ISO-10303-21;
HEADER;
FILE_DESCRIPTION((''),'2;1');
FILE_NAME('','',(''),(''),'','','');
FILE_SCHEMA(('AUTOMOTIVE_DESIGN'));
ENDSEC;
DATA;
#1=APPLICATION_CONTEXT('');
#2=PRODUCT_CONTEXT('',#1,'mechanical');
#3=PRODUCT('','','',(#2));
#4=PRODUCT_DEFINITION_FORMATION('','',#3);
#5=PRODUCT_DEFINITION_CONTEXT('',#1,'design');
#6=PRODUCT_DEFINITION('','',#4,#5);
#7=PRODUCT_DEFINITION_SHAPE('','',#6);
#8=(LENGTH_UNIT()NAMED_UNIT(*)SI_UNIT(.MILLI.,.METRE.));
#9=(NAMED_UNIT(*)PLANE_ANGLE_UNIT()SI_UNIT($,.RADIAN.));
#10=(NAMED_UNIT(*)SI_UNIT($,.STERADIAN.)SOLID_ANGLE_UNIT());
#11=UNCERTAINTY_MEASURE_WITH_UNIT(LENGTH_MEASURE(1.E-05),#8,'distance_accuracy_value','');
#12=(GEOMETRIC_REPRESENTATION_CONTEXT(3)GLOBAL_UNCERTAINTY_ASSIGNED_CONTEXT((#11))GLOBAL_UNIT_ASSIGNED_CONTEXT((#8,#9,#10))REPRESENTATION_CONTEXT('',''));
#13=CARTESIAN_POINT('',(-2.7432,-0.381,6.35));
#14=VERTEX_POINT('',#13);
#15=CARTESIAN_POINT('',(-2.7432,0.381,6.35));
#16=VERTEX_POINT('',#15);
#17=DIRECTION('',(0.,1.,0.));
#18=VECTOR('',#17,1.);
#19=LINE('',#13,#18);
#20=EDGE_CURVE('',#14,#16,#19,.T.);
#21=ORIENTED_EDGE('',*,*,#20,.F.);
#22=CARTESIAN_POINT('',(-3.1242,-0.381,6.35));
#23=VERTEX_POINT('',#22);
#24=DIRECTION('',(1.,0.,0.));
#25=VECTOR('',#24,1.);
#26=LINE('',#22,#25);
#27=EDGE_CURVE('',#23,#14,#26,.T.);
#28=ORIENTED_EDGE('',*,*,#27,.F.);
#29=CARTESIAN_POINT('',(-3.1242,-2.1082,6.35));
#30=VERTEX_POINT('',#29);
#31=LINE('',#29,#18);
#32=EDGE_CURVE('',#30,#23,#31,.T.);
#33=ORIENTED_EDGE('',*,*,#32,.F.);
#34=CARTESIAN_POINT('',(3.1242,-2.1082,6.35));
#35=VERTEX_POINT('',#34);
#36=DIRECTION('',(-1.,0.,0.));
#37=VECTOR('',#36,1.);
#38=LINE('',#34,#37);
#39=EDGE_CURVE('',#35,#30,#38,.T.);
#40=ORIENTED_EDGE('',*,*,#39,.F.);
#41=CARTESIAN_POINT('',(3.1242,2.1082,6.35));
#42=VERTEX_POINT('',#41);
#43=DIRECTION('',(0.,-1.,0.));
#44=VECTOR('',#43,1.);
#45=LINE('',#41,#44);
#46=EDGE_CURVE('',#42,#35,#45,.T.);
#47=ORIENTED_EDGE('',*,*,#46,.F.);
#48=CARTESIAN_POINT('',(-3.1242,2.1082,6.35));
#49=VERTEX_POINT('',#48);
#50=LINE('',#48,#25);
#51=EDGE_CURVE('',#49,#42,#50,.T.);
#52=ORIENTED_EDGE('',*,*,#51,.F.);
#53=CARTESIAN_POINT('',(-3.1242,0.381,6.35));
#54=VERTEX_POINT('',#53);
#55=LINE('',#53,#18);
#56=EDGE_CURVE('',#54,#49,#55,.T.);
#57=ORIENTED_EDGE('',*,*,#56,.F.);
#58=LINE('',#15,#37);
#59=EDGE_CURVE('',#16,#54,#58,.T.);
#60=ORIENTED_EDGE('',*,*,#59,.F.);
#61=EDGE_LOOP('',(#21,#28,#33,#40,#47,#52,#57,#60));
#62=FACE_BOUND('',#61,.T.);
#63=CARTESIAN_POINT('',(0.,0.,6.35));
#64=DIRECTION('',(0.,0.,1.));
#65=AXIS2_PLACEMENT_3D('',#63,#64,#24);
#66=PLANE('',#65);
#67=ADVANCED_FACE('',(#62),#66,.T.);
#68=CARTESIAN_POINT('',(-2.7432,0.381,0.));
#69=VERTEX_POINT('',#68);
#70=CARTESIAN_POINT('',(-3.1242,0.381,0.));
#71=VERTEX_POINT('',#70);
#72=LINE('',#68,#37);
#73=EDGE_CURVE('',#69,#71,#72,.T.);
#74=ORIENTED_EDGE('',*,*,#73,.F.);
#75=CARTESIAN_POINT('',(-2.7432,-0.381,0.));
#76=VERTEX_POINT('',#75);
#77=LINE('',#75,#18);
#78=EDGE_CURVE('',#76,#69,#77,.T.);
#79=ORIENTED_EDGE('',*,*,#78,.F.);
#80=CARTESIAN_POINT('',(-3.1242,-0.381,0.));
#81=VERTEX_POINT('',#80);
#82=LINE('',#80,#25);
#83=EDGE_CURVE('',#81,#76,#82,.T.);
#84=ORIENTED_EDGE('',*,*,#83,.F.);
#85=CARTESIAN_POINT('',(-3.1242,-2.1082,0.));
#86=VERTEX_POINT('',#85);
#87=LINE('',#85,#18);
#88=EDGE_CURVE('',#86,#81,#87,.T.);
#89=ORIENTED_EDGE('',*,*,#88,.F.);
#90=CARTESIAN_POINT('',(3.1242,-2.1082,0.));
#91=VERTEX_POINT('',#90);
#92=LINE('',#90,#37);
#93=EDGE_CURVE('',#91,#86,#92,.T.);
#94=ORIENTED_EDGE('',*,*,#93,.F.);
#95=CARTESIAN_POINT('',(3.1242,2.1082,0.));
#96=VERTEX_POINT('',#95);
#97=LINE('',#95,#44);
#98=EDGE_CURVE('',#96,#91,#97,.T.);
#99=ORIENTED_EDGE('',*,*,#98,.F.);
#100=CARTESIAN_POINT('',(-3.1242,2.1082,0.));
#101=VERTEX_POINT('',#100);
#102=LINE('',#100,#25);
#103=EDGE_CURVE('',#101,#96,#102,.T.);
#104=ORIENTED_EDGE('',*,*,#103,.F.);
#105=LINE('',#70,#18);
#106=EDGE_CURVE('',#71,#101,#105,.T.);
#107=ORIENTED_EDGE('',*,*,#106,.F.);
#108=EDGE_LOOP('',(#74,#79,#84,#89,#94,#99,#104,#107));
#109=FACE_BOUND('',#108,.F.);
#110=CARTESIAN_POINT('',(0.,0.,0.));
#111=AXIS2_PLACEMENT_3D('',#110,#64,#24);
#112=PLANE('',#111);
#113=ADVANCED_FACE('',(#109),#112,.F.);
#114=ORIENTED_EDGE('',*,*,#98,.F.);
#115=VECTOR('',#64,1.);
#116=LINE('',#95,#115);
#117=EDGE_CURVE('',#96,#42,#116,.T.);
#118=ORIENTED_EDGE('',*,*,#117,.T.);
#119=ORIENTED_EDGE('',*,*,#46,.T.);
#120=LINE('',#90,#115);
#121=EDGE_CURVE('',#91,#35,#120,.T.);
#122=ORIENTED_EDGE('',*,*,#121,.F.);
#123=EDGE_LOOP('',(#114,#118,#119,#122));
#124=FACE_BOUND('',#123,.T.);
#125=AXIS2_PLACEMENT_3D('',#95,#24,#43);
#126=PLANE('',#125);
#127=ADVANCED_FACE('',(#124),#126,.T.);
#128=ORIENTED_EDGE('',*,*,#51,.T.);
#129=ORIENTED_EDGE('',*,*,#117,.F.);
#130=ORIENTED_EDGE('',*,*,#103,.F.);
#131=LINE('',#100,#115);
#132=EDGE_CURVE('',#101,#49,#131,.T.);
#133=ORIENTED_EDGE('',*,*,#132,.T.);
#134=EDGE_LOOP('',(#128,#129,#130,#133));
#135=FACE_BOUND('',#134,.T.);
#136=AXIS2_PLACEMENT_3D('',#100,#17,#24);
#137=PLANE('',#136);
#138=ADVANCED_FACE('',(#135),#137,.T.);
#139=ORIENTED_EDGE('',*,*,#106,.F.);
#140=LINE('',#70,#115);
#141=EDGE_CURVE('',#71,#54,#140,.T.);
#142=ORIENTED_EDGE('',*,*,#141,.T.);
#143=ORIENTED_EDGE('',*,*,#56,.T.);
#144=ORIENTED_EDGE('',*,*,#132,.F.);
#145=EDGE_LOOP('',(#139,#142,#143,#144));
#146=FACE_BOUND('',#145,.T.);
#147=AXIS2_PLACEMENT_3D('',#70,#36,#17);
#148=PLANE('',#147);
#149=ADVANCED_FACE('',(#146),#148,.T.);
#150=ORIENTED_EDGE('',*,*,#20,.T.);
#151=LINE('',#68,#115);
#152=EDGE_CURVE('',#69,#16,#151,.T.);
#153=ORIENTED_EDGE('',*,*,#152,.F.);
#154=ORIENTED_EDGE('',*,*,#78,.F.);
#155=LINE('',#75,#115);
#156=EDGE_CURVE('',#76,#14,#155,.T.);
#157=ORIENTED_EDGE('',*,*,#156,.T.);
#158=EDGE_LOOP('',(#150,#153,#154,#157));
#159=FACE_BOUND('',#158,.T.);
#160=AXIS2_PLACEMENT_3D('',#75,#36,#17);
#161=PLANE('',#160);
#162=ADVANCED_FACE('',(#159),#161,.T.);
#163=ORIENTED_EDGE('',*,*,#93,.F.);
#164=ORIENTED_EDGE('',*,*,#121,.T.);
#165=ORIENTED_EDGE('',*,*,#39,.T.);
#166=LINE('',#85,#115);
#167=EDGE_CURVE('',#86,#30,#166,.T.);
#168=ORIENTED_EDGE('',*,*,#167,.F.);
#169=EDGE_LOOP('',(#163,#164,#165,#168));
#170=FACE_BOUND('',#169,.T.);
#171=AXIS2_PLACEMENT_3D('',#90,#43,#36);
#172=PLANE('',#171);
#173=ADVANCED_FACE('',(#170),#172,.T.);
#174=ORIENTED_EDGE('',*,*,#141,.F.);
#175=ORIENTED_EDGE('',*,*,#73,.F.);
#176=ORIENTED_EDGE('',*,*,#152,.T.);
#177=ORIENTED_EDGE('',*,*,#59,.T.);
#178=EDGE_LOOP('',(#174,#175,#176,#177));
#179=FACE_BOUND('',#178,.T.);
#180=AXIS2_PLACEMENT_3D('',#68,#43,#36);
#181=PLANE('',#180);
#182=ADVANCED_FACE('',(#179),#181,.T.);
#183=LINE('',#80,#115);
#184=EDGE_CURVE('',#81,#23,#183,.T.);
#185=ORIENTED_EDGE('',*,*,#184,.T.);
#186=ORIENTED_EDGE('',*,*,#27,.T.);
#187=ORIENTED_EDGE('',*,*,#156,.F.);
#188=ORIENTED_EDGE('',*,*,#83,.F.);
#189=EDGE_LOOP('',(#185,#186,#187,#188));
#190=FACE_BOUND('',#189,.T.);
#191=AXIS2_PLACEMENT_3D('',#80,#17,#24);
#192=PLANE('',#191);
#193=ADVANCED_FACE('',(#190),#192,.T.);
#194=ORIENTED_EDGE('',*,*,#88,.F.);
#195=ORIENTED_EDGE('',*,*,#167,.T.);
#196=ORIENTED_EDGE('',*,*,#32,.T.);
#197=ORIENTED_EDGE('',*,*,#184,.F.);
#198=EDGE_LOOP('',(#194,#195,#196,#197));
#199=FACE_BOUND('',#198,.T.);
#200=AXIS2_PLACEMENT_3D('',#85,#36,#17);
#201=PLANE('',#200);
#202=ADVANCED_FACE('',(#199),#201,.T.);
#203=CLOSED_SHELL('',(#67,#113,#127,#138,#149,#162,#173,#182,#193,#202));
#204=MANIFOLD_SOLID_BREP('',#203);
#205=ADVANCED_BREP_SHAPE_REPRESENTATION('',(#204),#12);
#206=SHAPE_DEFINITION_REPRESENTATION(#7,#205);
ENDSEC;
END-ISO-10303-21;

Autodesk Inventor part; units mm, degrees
ref_plane "YZ Plane" through (0, 0, 0) normal (1, 0, 0) x (0, 1, 0)
ref_plane "XZ Plane" through (0, 0, 0) normal (0, 1, 0) x (-1, 0, 0)
ref_plane "XY Plane" through (0, 0, 0) normal (0, 0, 1) x (1, 0, 0)
sketch "R-PDSO-G20, TXB0108PWR_35" plane through (0, 0, 0) normal (0, 0, 1) x (1, 0, 0)
  line L0 (-3.1242, 2.1082) -> (3.1242, 2.1082)
  line L1 (3.1242, 2.1082) -> (3.1242, -2.1082)
  line L2 (3.1242, -2.1082) -> (-3.1242, -2.1082)
  line L3 (-3.1242, -2.1082) -> (-3.1242, -0.381)
  line L4 (-3.1242, -0.381) -> (-2.7432, -0.381)
  line L5 (-2.7432, -0.381) -> (-2.7432, 0.381)
  line L6 (-2.7432, 0.381) -> (-3.1242, 0.381)
  line L7 (-3.1242, 0.381) -> (-3.1242, 2.1082)
extrude "Extrusion1" add sketch "R-PDSO-G20, TXB0108PWR_35" along normal blind 6.35
properties part number "TXB0108PWR"
